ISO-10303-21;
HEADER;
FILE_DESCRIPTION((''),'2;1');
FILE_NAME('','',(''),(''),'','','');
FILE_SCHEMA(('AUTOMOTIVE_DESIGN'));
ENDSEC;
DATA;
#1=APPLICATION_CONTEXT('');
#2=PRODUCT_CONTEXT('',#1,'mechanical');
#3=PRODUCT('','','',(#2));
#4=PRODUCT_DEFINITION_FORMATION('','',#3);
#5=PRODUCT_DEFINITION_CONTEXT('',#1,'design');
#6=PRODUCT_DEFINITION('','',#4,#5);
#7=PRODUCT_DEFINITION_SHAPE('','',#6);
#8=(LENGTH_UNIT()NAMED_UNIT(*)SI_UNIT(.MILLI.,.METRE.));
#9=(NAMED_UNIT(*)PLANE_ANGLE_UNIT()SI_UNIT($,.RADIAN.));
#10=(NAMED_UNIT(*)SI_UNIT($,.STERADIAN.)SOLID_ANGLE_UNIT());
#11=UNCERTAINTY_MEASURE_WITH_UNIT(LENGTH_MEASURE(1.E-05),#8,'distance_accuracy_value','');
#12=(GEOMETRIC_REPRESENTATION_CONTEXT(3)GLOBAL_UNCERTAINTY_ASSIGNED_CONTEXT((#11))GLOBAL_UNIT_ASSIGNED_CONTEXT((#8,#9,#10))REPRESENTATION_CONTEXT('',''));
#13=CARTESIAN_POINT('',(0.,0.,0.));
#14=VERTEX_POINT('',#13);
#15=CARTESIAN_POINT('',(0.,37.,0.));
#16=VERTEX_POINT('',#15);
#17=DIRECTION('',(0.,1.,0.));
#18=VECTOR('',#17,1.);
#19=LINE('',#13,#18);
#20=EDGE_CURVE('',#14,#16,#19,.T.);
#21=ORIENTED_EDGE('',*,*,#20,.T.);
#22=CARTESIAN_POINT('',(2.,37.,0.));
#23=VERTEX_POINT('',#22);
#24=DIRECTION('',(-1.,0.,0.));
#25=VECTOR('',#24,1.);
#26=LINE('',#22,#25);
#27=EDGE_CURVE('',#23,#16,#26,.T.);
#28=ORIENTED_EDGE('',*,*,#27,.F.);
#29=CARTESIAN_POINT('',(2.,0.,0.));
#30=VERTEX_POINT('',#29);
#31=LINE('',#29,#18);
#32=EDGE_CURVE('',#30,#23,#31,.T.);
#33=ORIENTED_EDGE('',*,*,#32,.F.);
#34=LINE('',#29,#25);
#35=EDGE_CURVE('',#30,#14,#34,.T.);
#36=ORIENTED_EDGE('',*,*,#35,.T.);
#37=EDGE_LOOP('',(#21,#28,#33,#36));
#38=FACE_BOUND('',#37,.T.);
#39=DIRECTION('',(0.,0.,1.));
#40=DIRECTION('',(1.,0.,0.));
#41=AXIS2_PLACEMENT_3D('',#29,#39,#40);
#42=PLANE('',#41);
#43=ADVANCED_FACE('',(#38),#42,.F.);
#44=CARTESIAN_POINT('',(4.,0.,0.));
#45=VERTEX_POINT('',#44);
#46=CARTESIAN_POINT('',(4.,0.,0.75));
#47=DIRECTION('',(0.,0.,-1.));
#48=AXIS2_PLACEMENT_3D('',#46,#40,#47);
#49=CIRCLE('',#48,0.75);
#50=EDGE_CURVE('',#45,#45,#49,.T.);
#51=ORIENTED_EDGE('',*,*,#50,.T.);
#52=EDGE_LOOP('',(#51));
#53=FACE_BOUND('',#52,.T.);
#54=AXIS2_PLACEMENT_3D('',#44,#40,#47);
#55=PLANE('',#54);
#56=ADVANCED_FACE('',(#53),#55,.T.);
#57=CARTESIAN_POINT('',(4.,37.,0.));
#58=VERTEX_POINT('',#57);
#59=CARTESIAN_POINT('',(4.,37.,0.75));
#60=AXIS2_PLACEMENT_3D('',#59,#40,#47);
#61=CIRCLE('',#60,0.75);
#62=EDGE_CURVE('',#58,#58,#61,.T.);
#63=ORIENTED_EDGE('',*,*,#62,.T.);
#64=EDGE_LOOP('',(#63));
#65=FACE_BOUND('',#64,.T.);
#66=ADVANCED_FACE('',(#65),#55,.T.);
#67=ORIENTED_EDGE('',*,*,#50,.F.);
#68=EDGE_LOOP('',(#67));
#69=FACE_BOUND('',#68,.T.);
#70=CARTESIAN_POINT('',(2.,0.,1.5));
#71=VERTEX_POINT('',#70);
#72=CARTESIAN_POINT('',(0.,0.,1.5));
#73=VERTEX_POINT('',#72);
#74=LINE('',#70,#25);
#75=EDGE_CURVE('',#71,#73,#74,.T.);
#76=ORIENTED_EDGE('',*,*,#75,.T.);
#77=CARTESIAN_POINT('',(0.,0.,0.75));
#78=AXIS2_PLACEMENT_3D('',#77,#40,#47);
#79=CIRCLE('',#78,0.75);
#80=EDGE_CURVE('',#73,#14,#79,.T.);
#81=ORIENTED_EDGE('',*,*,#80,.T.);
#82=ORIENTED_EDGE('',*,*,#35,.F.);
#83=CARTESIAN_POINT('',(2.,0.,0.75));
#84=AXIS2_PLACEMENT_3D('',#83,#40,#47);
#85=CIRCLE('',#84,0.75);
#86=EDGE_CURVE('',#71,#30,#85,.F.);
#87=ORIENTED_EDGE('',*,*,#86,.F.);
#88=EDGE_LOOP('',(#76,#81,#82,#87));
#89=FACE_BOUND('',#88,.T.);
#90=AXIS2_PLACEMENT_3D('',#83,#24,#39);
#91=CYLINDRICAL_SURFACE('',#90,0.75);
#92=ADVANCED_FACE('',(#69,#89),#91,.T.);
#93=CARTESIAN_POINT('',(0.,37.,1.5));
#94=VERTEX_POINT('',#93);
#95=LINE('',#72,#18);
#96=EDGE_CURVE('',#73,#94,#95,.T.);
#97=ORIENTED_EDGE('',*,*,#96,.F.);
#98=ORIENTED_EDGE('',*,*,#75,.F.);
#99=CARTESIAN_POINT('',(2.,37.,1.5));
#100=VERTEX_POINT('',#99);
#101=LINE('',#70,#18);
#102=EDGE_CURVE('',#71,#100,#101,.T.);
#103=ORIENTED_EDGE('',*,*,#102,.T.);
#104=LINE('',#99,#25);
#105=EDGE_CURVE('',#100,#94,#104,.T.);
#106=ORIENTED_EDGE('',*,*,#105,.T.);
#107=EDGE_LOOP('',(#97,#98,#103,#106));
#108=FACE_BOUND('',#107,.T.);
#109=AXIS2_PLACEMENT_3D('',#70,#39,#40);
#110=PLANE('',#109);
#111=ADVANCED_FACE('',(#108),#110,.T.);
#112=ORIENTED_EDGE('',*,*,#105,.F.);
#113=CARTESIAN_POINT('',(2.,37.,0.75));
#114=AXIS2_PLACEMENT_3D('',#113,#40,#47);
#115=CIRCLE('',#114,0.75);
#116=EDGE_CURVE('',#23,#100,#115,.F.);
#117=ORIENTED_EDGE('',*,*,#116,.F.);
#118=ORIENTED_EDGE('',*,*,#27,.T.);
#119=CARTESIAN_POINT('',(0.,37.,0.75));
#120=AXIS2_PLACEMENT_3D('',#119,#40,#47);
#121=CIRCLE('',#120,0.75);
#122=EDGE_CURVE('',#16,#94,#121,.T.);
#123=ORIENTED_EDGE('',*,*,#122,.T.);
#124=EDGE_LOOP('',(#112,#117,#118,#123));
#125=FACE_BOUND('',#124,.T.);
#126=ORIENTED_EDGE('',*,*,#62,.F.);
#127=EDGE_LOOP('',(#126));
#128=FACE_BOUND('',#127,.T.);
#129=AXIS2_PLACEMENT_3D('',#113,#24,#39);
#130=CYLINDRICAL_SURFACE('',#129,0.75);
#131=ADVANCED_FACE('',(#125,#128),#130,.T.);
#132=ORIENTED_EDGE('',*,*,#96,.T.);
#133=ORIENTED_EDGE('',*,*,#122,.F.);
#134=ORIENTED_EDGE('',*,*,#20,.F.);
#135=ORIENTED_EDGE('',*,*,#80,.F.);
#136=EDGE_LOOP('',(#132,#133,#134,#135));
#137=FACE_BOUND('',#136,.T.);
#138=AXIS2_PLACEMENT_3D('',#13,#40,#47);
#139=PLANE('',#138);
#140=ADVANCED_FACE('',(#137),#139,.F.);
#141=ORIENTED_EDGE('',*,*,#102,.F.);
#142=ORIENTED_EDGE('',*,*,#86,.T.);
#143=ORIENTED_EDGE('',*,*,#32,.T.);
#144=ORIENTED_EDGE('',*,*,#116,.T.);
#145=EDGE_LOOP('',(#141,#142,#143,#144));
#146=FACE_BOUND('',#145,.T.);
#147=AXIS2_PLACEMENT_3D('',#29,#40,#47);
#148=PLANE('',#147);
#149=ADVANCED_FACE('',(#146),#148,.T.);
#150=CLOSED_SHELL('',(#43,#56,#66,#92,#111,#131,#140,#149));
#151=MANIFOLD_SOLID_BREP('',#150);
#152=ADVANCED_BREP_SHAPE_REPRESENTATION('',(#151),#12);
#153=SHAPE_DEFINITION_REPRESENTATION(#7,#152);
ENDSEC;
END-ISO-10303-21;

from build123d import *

# Parameters (mm, degrees)
BOSS_EXTRUDE1_DEPTH = 2
SKETCH1_3_R         = 0.75
BOSS_EXTRUDE2_DEPTH = 4


with BuildPart() as part:
    # Sketch1 → Boss-Extrude1 (new body)
    with BuildSketch(Plane.YZ):
        with BuildLine():
            Line((37, 1.5), (0, 1.5))
            ThreePointArc((0, 1.5), (-0.75, 0.75), (0, 0))
            Line((0, 0), (37, 0))
            ThreePointArc((37, 0), (37.75, 0.75), (37, 1.5))
        make_face()
    extrude(amount=BOSS_EXTRUDE1_DEPTH)

    # Sketch1<3> → Boss-Extrude2 (add)
    with BuildSketch(Plane.YZ):
        with Locations((0, 0.75)):
            Circle(SKETCH1_3_R)
        with Locations((37, 0.75)):
            Circle(SKETCH1_3_R)
    extrude(amount=BOSS_EXTRUDE2_DEPTH)


solid = part.part
